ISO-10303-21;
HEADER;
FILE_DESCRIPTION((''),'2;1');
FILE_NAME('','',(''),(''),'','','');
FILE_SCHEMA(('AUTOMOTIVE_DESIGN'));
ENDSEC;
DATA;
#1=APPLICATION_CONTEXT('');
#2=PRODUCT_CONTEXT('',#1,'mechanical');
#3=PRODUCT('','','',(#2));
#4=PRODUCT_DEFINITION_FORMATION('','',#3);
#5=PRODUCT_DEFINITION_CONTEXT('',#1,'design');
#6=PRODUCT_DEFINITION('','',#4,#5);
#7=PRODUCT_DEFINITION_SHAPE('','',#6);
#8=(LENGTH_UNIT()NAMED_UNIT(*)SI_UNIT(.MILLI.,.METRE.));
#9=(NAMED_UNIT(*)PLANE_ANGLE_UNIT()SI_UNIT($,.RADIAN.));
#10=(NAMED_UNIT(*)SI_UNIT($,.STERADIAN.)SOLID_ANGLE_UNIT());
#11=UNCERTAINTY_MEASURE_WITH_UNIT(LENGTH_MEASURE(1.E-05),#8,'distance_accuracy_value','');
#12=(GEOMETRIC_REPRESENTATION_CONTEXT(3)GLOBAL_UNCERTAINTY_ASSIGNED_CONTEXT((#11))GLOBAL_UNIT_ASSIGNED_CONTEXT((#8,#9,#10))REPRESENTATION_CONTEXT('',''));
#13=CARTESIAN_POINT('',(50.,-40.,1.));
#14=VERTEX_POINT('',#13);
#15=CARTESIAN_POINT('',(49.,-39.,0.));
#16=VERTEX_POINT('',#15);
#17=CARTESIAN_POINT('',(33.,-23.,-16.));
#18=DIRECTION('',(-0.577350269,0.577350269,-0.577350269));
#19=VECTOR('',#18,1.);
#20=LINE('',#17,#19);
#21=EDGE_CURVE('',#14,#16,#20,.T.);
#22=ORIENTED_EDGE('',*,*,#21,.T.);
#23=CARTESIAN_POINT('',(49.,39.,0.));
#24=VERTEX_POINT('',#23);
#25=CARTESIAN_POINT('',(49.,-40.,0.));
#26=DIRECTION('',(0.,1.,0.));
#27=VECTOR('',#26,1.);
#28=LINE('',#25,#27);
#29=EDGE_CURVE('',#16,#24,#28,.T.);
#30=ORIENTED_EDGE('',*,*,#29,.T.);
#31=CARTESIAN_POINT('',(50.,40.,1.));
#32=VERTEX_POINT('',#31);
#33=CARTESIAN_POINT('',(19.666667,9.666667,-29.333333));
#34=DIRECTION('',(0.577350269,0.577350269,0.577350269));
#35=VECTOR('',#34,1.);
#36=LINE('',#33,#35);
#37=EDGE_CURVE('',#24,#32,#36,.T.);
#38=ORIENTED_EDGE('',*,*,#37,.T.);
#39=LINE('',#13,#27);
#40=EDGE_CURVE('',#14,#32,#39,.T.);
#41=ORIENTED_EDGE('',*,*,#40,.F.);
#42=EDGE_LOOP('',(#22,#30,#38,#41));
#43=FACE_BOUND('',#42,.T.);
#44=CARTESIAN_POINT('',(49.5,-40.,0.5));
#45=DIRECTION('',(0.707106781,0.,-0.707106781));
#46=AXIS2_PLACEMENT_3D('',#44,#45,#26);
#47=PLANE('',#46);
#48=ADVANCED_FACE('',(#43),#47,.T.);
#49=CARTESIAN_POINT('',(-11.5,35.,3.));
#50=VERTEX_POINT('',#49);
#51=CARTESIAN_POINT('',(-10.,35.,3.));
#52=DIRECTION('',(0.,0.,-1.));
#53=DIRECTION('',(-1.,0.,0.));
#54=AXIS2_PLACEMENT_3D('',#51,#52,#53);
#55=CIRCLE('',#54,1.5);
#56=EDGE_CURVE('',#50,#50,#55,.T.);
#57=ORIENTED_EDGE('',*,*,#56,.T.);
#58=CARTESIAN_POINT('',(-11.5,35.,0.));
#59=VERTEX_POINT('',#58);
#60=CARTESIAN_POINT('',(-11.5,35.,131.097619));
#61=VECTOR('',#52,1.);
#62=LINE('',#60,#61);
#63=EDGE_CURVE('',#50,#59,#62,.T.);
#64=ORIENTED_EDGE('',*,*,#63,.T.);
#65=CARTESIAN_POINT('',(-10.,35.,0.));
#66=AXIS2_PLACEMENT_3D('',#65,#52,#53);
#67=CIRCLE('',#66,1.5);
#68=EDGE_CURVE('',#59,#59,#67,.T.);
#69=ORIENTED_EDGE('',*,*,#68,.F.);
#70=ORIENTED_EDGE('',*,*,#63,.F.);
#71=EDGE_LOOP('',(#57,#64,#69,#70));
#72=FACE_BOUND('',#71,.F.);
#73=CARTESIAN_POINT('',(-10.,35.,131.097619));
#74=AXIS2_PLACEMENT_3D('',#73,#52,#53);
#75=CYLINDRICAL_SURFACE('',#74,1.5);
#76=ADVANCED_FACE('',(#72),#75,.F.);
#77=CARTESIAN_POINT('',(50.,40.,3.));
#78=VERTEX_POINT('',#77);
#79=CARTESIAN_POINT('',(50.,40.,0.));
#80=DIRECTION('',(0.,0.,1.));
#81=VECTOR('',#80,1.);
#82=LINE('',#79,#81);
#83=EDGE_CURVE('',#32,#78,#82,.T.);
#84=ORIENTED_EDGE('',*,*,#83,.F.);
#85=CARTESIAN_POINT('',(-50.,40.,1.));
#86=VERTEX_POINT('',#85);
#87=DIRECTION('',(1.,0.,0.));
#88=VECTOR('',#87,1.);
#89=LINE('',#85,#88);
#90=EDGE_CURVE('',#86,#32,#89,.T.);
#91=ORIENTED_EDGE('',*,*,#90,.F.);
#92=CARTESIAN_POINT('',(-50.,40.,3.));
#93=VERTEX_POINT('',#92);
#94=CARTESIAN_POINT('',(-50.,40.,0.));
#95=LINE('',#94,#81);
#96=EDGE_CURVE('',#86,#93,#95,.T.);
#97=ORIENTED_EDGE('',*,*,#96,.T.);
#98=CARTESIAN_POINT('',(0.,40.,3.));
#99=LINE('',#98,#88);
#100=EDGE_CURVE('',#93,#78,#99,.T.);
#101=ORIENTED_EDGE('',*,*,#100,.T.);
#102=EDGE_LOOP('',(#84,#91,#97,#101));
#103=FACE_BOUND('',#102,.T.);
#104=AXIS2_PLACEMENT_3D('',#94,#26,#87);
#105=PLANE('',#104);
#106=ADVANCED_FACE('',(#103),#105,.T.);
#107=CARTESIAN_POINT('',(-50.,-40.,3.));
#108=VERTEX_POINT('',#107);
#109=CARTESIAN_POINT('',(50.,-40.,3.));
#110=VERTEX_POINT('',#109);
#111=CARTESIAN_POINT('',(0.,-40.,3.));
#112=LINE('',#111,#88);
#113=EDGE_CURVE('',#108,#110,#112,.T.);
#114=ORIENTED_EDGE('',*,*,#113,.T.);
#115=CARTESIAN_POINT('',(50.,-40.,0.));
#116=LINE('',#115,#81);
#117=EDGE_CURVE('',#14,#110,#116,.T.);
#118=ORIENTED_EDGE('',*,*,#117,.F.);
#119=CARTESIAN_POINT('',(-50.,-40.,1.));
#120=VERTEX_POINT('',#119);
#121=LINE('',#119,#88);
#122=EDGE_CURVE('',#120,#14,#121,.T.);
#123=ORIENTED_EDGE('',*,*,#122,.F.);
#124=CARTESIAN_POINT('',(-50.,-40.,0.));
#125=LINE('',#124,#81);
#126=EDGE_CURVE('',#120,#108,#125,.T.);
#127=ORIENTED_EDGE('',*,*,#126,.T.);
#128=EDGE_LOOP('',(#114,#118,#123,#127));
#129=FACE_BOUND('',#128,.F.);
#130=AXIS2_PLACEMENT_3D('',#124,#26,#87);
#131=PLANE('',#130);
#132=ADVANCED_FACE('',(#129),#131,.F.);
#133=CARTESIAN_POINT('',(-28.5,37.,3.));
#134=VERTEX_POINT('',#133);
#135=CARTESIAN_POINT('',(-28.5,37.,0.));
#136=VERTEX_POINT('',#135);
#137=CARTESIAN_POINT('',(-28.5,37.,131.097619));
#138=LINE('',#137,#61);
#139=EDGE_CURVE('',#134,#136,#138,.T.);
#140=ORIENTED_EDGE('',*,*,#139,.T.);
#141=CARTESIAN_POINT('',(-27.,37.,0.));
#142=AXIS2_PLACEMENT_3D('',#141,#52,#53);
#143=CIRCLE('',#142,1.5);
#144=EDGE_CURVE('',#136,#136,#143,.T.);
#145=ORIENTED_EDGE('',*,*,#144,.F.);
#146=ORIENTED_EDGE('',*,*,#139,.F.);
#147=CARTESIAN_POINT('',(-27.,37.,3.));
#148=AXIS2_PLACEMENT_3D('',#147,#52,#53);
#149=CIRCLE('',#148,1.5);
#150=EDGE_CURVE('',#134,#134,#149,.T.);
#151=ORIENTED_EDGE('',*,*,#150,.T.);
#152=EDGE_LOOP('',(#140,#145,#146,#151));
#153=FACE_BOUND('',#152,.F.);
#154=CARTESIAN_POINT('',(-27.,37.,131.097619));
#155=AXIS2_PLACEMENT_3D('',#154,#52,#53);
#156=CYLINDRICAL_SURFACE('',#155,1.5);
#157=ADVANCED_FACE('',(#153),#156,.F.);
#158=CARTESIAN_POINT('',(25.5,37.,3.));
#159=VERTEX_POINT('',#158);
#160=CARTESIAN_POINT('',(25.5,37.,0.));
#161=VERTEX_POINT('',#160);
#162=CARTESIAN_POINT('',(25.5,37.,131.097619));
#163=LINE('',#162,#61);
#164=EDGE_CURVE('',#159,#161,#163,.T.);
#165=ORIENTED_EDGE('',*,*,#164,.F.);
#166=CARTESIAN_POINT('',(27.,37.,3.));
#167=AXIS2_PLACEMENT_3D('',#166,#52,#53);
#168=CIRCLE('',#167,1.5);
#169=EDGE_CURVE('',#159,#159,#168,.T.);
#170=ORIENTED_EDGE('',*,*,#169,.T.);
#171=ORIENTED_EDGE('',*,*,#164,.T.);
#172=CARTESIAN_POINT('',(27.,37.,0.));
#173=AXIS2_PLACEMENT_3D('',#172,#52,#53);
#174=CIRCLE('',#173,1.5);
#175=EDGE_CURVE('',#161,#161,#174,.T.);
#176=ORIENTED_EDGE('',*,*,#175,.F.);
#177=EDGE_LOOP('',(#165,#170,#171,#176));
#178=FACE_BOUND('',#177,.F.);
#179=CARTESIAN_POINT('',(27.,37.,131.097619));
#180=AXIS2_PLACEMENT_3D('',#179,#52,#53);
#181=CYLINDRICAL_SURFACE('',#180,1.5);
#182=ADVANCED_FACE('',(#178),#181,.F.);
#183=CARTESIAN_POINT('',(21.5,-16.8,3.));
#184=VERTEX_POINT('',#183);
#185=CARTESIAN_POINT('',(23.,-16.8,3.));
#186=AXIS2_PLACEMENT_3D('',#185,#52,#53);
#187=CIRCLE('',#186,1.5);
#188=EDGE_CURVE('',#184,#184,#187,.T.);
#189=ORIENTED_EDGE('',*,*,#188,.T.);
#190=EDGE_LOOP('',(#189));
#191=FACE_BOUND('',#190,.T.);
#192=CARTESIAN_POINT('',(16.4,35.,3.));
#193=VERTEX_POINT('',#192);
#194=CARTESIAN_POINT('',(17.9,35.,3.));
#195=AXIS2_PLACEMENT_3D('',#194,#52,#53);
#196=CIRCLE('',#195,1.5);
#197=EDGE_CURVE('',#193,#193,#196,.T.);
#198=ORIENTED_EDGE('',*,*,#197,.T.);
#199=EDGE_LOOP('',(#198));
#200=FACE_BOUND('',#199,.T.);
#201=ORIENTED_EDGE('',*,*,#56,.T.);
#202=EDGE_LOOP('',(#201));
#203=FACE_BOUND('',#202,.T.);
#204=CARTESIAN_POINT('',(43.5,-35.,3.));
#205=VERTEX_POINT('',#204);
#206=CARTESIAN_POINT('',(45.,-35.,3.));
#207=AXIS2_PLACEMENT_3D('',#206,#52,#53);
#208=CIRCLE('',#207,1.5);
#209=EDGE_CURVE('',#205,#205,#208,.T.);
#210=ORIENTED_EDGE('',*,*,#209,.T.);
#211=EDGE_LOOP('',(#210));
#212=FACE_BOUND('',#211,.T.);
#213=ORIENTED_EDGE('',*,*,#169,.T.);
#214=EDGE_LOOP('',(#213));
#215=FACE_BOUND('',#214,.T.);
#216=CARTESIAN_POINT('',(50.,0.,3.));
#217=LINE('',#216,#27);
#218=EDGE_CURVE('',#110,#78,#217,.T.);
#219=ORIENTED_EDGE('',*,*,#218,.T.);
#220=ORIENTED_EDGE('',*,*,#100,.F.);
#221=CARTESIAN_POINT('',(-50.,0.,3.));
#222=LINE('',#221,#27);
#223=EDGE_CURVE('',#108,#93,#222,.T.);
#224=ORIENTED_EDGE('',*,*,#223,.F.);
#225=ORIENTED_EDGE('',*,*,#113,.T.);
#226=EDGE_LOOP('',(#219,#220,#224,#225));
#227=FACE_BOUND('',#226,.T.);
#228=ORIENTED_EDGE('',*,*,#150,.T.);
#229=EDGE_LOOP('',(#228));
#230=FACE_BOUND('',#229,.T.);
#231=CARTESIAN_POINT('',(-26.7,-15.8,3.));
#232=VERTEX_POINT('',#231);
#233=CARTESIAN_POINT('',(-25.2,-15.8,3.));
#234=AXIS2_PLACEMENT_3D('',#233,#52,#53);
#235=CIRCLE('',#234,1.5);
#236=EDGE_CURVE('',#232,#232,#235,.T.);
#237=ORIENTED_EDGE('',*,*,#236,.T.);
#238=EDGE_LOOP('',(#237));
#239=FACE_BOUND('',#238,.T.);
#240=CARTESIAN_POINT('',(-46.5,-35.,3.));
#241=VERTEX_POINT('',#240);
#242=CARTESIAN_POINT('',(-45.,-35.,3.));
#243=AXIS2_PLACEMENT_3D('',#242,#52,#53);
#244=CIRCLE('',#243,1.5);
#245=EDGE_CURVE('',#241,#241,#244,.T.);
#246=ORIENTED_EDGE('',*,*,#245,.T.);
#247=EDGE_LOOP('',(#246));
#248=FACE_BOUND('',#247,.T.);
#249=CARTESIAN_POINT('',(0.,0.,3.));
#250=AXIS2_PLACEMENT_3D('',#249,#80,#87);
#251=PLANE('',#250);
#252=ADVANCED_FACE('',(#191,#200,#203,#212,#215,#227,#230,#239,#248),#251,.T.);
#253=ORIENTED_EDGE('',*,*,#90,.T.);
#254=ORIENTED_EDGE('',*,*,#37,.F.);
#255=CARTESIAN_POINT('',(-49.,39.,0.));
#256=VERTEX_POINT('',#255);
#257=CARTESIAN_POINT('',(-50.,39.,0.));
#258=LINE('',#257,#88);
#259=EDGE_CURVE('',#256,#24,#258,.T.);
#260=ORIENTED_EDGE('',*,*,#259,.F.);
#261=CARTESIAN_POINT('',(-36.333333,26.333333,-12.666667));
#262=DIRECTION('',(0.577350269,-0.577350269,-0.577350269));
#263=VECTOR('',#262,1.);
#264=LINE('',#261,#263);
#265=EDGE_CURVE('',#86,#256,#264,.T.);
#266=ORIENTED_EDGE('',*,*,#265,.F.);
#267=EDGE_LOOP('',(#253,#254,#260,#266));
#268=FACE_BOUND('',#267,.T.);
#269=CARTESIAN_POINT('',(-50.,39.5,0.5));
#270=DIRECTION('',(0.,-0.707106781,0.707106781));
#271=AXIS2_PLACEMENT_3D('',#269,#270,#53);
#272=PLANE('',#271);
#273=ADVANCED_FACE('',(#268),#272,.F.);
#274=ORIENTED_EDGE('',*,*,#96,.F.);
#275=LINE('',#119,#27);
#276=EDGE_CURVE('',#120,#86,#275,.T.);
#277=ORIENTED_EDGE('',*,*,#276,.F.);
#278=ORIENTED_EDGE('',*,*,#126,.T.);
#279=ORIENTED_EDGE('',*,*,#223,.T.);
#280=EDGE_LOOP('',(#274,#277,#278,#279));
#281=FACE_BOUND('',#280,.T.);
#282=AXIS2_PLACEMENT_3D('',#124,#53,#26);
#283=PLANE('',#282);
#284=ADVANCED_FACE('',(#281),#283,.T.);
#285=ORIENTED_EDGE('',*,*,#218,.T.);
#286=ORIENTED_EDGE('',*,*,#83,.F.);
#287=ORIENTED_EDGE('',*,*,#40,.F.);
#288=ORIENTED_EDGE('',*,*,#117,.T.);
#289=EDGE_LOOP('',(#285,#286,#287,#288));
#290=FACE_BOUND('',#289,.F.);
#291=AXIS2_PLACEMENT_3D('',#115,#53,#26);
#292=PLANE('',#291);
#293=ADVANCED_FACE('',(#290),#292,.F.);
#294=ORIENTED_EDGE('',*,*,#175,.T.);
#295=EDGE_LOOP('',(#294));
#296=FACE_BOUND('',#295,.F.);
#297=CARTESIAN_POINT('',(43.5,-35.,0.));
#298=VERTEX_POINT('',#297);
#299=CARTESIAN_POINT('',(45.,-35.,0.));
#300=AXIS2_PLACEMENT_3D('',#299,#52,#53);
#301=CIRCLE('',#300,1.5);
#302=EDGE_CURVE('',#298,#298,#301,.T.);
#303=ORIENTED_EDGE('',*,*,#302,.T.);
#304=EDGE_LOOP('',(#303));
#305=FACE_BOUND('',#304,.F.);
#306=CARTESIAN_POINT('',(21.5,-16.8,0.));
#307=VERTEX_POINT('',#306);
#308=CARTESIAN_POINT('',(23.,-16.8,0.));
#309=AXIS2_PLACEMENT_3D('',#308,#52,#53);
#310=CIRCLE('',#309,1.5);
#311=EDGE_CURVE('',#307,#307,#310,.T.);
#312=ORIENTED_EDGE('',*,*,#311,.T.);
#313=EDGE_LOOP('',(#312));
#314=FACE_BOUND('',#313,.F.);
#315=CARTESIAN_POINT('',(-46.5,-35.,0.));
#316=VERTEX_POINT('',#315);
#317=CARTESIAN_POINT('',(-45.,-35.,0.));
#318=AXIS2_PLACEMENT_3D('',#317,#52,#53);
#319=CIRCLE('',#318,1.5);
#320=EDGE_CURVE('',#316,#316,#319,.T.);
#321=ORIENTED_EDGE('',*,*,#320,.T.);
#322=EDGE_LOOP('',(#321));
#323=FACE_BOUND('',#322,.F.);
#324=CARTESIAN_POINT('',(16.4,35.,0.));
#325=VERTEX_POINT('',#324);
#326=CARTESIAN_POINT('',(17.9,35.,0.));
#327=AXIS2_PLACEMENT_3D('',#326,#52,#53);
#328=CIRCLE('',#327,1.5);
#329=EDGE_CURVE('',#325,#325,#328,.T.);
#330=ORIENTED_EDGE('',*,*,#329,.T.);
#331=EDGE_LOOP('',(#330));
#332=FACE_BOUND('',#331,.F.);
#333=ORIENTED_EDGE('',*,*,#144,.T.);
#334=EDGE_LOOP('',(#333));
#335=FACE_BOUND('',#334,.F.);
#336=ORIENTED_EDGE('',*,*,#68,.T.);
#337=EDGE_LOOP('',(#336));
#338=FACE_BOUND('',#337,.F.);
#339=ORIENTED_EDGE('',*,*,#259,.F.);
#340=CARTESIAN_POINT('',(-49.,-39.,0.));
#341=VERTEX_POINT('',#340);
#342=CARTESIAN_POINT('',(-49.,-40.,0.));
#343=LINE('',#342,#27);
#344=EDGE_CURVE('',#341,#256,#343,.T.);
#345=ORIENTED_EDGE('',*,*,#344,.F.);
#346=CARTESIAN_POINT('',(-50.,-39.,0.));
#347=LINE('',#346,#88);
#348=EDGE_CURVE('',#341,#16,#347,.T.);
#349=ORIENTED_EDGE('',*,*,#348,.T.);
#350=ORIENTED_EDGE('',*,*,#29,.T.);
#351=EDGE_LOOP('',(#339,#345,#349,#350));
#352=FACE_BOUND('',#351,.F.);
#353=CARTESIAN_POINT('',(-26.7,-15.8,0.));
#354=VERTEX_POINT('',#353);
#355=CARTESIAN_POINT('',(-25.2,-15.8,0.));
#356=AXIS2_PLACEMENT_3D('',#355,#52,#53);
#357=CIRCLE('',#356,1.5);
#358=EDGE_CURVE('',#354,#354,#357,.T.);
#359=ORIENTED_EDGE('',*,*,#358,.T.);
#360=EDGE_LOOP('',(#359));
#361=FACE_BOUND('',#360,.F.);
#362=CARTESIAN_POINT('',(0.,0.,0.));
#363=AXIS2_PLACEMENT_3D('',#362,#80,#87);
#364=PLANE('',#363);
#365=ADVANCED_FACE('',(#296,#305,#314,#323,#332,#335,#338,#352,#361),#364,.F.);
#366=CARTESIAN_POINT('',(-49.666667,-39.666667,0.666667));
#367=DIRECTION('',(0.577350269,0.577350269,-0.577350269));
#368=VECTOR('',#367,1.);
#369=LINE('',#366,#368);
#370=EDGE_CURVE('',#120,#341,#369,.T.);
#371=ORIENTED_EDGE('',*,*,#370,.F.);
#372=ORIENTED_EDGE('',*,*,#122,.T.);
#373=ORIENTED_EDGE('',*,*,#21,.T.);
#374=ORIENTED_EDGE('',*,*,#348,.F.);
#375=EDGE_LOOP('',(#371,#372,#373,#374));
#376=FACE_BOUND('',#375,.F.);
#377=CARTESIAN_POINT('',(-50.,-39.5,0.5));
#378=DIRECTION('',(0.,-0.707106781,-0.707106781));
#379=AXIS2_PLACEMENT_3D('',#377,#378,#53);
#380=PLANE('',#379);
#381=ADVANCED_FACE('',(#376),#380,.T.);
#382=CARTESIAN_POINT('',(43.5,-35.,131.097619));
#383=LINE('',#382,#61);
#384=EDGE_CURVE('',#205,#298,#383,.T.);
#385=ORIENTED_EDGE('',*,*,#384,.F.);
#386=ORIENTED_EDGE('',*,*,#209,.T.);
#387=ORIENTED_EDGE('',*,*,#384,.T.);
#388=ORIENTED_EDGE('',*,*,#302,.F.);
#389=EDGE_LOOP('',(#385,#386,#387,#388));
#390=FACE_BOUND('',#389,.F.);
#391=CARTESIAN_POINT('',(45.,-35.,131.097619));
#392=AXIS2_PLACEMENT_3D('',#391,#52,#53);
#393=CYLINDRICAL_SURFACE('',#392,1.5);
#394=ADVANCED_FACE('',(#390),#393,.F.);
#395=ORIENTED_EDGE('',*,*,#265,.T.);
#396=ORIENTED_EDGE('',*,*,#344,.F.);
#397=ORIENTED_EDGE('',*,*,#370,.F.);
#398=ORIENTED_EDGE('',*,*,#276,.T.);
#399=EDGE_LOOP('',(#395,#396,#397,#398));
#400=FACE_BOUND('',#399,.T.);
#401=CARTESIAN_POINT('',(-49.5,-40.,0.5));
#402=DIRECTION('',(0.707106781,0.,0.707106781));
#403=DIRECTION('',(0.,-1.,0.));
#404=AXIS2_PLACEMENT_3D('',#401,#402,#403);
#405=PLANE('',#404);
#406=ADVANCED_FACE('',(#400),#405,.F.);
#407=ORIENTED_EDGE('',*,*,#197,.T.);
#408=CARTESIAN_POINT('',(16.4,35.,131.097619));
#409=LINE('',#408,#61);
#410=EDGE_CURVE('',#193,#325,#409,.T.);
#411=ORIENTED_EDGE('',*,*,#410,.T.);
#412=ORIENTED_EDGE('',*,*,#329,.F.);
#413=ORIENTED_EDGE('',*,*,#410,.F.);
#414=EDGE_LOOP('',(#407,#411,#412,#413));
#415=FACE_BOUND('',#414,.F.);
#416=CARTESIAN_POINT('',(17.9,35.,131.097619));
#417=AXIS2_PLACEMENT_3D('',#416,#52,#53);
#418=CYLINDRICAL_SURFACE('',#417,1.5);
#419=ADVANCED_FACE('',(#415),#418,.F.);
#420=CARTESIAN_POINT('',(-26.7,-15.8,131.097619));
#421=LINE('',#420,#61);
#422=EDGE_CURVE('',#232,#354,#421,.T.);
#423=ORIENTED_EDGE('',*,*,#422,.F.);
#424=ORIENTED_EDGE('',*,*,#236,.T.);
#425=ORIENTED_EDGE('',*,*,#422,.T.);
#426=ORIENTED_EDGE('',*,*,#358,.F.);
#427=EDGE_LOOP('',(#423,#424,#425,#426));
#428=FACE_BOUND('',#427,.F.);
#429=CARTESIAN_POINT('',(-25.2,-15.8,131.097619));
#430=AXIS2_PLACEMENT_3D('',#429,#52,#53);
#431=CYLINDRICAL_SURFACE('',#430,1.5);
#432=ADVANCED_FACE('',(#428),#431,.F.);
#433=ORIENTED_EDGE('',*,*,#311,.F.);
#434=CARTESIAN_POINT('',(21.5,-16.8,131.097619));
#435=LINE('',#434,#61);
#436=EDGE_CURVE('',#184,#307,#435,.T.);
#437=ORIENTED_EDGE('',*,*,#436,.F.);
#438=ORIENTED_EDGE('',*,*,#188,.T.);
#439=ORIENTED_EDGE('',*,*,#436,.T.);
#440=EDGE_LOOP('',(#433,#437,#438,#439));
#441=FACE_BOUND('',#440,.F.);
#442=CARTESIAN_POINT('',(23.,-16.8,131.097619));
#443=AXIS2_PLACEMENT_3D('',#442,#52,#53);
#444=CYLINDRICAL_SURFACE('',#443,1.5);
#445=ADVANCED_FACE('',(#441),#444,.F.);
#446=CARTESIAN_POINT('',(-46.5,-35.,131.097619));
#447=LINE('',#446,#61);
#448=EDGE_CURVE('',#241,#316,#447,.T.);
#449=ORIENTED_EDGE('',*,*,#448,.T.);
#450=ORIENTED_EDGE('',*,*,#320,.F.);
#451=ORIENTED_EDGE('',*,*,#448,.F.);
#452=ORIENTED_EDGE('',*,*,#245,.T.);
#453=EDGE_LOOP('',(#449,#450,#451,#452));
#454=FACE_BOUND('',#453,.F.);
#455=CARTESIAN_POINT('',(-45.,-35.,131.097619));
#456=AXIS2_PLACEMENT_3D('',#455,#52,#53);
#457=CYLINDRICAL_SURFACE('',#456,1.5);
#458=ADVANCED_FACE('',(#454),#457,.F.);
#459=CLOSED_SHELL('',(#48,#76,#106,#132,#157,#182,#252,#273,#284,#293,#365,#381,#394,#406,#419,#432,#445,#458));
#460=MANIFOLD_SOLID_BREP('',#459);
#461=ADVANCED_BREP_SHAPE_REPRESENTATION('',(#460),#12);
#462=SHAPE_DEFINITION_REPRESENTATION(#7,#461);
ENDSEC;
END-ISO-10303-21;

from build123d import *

# Parameters (mm, degrees)
F0_W     = 100
F0_H     = 80
F1_DEPTH = 3
F3_D     = 3
F4_SIZE  = 1
F6_D     = 3


with BuildPart() as f1:
    # F0 (on Top) → F1 (new body)
    with BuildSketch(Plane.XY):
        Rectangle(F0_W, F0_H)
    extrude(amount=F1_DEPTH)

    # F3 (through all)
    with Locations(Plane.XY.offset(3)):
        with Locations((-10, 35), (17.9, 35), (23, -16.8), (-25.2, -15.8)):
            Hole(F3_D / 2)

    # F4
    f4_edges = [f1.edges().sort_by_distance(p)[0] for p in [
        (0, -40, 0),
        (-50, 0, 0),
        (50, 0, 0),
        (0, 40, 0),
    ]]
    chamfer(f4_edges, length=F4_SIZE)

    # F6 (through all)
    with Locations(Plane.XY.offset(3)):
        with Locations((-45, -35), (-27, 37), (27, 37), (45, -35)):
            Hole(F6_D / 2)


solid = f1.part
